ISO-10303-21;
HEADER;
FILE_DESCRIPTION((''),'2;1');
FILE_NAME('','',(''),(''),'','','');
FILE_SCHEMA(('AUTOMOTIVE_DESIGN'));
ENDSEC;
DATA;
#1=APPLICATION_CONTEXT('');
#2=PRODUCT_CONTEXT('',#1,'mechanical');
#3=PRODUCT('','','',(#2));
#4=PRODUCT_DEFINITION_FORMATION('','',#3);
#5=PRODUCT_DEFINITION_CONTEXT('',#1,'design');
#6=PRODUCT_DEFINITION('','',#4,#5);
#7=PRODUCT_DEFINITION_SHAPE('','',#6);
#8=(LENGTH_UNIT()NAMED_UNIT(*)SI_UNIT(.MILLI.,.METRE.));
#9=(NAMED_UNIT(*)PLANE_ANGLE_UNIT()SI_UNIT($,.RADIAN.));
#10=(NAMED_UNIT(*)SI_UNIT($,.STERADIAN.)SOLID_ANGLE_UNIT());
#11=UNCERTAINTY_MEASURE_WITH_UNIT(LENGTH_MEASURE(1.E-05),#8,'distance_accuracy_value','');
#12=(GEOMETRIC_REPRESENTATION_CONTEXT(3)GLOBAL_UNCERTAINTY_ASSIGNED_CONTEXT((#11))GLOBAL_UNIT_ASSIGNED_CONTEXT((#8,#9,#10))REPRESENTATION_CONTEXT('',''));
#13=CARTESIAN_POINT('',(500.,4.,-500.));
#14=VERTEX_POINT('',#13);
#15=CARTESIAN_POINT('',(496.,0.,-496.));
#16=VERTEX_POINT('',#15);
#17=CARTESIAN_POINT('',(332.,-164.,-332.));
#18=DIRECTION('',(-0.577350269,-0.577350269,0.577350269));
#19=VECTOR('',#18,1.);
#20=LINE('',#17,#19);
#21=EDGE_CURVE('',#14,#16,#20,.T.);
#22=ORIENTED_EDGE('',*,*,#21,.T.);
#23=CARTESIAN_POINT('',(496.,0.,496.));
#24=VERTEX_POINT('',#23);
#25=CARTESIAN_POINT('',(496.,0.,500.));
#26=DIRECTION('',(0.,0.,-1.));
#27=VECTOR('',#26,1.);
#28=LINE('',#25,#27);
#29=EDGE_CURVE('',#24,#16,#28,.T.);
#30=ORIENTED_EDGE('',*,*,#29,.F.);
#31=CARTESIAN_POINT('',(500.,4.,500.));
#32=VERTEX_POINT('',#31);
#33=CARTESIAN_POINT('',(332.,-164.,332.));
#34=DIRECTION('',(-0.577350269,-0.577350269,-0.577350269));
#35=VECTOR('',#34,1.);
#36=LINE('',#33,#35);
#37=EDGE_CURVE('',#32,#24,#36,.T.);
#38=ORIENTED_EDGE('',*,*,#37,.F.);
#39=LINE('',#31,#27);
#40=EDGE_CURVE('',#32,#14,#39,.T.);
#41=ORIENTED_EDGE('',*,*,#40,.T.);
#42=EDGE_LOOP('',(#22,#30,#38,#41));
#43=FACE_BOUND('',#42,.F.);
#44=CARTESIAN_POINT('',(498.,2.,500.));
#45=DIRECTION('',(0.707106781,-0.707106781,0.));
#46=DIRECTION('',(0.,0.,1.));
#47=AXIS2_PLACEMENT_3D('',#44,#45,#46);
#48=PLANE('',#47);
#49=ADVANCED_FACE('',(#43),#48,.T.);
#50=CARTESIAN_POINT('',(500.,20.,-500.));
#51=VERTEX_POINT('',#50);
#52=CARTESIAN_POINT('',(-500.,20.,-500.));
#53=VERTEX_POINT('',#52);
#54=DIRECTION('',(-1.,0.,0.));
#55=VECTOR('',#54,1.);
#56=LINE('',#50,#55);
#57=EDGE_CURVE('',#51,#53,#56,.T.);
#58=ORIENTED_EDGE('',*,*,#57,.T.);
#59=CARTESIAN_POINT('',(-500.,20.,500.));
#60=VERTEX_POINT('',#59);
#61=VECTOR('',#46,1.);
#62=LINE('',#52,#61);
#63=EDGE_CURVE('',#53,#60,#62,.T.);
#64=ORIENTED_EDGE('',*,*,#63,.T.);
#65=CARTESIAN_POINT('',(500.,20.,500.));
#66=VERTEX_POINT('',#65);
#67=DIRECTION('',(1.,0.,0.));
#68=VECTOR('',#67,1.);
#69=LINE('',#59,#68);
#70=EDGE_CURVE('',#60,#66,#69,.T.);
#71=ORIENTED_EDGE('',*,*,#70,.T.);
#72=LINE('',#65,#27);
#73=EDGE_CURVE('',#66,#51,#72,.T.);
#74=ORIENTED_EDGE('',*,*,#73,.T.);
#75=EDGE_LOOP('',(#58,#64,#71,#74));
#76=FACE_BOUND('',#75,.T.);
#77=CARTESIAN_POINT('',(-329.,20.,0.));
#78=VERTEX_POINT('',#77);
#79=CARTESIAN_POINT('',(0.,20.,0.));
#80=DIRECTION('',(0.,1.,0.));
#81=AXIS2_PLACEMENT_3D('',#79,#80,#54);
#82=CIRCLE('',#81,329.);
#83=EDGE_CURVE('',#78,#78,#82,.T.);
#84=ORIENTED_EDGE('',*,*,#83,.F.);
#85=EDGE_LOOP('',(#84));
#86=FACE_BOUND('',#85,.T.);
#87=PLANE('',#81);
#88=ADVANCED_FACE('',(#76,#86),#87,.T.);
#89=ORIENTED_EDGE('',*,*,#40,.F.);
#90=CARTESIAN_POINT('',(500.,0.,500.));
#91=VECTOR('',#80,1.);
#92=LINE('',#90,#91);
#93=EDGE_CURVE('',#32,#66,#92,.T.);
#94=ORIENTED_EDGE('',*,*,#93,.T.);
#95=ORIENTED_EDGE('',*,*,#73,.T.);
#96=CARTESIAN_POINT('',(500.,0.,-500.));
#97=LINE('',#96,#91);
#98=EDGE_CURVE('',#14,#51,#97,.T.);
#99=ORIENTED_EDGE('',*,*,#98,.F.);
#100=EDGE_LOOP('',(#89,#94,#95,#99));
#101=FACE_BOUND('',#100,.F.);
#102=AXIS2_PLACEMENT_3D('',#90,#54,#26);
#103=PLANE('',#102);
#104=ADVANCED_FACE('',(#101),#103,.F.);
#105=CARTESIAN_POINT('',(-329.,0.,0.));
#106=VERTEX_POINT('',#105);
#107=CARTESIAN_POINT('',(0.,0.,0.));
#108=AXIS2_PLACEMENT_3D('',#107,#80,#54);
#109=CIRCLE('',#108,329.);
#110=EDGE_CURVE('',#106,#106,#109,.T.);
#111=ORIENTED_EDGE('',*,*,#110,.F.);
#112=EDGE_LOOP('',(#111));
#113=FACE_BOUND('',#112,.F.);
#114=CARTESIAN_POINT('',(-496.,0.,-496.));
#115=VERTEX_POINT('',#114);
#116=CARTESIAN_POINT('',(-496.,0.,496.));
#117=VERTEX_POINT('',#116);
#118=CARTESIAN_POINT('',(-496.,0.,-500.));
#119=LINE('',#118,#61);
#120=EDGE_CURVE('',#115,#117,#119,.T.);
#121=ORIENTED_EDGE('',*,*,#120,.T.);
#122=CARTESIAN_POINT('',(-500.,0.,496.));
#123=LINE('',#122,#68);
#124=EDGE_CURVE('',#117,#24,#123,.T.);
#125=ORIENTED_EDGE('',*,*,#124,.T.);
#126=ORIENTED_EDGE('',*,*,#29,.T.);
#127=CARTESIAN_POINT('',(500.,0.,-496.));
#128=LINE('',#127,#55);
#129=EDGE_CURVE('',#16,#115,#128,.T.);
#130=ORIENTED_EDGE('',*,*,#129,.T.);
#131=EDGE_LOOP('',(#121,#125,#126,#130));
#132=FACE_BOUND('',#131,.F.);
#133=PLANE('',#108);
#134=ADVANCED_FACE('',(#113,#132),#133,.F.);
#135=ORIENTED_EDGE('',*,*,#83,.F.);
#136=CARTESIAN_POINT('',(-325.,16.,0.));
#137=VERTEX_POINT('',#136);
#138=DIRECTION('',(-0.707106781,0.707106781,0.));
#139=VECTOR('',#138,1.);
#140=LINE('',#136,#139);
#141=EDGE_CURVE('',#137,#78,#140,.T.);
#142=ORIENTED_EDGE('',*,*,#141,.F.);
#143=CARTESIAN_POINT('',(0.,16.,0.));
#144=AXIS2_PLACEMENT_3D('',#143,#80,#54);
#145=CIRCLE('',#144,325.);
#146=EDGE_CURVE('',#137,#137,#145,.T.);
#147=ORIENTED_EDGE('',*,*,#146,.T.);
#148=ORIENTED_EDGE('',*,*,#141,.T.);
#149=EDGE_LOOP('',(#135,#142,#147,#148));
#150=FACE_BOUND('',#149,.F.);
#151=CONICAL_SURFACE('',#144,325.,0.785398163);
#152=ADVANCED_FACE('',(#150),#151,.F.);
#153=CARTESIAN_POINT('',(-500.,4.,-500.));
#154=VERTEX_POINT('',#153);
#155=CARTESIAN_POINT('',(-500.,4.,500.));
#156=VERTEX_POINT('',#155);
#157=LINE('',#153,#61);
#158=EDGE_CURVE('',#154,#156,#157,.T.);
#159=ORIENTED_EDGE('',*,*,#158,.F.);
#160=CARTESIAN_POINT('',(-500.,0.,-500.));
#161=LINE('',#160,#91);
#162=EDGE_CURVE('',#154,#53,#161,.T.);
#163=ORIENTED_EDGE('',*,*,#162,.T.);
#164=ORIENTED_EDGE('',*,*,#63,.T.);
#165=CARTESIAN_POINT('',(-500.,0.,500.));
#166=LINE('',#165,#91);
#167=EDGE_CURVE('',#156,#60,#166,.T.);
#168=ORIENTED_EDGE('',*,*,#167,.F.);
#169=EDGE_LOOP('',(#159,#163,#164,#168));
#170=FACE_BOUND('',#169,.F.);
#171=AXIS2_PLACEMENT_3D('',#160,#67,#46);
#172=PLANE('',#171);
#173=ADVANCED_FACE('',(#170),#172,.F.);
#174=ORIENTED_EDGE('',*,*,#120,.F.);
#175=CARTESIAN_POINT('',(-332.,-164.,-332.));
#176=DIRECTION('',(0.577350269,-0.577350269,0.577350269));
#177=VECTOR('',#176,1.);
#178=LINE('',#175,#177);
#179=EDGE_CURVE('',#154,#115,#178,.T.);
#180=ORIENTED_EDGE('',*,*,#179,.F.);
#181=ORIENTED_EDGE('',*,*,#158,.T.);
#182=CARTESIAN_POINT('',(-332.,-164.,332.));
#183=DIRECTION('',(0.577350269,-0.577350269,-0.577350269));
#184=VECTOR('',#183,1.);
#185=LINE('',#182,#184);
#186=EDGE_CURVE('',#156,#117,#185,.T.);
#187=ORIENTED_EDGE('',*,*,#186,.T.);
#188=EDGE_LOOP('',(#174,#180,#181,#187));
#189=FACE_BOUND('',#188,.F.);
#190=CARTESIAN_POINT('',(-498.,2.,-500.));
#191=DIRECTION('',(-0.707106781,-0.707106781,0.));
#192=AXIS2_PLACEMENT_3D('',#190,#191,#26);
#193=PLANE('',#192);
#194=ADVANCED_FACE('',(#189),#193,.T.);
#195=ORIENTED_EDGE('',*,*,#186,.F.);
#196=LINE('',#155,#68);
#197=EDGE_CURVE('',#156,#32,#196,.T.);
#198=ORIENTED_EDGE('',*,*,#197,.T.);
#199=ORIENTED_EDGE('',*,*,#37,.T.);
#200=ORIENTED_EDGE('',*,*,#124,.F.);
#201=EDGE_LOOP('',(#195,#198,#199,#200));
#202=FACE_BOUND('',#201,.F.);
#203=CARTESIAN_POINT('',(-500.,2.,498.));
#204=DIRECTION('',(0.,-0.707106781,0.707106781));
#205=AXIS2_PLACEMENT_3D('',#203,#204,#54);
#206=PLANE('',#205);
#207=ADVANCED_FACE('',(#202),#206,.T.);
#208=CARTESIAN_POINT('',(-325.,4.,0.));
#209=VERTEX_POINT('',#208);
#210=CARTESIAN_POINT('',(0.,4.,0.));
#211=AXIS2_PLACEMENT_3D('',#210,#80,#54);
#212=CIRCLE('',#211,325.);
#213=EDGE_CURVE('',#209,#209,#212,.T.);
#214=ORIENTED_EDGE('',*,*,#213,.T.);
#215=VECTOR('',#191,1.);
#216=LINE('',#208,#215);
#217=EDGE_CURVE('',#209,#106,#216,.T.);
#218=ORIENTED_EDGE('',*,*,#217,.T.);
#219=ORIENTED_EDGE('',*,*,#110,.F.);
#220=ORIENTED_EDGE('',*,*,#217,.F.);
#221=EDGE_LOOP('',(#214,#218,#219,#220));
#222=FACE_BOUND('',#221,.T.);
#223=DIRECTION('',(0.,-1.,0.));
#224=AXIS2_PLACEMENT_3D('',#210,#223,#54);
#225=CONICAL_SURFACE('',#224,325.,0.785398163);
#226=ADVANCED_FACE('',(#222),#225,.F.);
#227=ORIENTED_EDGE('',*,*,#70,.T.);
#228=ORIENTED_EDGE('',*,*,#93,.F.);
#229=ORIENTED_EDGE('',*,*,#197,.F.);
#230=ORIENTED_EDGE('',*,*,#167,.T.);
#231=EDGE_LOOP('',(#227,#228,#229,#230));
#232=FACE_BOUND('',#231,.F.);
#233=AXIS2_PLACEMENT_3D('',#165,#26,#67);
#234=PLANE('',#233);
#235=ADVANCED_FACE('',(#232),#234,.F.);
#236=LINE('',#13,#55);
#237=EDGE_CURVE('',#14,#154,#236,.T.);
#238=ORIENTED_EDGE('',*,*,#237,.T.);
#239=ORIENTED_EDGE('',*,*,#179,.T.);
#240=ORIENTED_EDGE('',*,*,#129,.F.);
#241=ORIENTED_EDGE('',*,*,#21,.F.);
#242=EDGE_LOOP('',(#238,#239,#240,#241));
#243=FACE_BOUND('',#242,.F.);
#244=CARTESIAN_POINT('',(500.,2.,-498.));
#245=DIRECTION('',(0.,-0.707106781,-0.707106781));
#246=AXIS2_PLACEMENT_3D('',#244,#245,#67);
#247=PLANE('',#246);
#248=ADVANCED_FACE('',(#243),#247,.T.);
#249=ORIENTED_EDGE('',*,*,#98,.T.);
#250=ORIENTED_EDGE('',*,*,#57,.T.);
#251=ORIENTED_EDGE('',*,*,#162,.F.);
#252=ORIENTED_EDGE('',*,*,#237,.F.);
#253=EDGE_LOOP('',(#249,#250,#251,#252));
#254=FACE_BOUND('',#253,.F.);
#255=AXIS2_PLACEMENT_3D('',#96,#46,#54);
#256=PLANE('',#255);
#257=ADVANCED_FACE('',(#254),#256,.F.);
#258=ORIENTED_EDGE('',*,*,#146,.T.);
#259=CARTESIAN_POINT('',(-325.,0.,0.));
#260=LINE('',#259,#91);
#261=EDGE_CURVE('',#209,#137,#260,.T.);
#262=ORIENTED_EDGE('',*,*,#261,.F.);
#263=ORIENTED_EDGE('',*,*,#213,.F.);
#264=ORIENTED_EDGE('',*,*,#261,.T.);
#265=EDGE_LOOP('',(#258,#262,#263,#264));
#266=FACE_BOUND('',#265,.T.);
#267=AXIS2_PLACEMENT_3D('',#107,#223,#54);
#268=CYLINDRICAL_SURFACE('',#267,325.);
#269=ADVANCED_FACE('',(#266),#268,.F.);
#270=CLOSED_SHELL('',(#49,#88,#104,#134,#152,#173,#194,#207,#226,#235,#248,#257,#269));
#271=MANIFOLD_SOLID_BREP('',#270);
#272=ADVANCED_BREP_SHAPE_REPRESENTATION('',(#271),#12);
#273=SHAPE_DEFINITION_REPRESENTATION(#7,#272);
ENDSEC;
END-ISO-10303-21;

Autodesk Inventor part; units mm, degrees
ref_plane "YZ Plane" through (0, 0, 0) normal (1, 0, 0) x (0, 1, 0)
ref_plane "XZ Plane" through (0, 0, 0) normal (0, 1, 0) x (-1, 0, 0)
ref_plane "XY Plane" through (0, 0, 0) normal (0, 0, 1) x (1, 0, 0)
sketch "Sketch1" plane through (0, 0, 0) normal (0, 1, 0) x (-1, 0, 0)
  line L0 (0, -102.1042) -> (0, 102.1042) construction
  line L1 (37.5532, 0) -> (-37.5532, 0) construction
  line L2 (500, 500) -> (-500, 500)
  line L3 (-500, 500) -> (-500, -500)
  line L4 (-500, -500) -> (500, -500)
  line L5 (500, -500) -> (500, 500)
  circle A0 centre (0, 0) radius 325
  dimension "d0" = 1000
  dimension "d1" = 1000
  dimension "d2" = 650
extrude "Extrusion1" add sketch "Sketch1" along normal blind 20
chamfer "Chamfer1" distance 4 angle 45 6 edges at (325, 20, 0) (325, 0, 0) (-500, 0, 0) (0, 0, 500) (0, 0, -500) (500, 0, 0)
properties part number "groundPlateWoodV1" material "PMMA Plastic"
